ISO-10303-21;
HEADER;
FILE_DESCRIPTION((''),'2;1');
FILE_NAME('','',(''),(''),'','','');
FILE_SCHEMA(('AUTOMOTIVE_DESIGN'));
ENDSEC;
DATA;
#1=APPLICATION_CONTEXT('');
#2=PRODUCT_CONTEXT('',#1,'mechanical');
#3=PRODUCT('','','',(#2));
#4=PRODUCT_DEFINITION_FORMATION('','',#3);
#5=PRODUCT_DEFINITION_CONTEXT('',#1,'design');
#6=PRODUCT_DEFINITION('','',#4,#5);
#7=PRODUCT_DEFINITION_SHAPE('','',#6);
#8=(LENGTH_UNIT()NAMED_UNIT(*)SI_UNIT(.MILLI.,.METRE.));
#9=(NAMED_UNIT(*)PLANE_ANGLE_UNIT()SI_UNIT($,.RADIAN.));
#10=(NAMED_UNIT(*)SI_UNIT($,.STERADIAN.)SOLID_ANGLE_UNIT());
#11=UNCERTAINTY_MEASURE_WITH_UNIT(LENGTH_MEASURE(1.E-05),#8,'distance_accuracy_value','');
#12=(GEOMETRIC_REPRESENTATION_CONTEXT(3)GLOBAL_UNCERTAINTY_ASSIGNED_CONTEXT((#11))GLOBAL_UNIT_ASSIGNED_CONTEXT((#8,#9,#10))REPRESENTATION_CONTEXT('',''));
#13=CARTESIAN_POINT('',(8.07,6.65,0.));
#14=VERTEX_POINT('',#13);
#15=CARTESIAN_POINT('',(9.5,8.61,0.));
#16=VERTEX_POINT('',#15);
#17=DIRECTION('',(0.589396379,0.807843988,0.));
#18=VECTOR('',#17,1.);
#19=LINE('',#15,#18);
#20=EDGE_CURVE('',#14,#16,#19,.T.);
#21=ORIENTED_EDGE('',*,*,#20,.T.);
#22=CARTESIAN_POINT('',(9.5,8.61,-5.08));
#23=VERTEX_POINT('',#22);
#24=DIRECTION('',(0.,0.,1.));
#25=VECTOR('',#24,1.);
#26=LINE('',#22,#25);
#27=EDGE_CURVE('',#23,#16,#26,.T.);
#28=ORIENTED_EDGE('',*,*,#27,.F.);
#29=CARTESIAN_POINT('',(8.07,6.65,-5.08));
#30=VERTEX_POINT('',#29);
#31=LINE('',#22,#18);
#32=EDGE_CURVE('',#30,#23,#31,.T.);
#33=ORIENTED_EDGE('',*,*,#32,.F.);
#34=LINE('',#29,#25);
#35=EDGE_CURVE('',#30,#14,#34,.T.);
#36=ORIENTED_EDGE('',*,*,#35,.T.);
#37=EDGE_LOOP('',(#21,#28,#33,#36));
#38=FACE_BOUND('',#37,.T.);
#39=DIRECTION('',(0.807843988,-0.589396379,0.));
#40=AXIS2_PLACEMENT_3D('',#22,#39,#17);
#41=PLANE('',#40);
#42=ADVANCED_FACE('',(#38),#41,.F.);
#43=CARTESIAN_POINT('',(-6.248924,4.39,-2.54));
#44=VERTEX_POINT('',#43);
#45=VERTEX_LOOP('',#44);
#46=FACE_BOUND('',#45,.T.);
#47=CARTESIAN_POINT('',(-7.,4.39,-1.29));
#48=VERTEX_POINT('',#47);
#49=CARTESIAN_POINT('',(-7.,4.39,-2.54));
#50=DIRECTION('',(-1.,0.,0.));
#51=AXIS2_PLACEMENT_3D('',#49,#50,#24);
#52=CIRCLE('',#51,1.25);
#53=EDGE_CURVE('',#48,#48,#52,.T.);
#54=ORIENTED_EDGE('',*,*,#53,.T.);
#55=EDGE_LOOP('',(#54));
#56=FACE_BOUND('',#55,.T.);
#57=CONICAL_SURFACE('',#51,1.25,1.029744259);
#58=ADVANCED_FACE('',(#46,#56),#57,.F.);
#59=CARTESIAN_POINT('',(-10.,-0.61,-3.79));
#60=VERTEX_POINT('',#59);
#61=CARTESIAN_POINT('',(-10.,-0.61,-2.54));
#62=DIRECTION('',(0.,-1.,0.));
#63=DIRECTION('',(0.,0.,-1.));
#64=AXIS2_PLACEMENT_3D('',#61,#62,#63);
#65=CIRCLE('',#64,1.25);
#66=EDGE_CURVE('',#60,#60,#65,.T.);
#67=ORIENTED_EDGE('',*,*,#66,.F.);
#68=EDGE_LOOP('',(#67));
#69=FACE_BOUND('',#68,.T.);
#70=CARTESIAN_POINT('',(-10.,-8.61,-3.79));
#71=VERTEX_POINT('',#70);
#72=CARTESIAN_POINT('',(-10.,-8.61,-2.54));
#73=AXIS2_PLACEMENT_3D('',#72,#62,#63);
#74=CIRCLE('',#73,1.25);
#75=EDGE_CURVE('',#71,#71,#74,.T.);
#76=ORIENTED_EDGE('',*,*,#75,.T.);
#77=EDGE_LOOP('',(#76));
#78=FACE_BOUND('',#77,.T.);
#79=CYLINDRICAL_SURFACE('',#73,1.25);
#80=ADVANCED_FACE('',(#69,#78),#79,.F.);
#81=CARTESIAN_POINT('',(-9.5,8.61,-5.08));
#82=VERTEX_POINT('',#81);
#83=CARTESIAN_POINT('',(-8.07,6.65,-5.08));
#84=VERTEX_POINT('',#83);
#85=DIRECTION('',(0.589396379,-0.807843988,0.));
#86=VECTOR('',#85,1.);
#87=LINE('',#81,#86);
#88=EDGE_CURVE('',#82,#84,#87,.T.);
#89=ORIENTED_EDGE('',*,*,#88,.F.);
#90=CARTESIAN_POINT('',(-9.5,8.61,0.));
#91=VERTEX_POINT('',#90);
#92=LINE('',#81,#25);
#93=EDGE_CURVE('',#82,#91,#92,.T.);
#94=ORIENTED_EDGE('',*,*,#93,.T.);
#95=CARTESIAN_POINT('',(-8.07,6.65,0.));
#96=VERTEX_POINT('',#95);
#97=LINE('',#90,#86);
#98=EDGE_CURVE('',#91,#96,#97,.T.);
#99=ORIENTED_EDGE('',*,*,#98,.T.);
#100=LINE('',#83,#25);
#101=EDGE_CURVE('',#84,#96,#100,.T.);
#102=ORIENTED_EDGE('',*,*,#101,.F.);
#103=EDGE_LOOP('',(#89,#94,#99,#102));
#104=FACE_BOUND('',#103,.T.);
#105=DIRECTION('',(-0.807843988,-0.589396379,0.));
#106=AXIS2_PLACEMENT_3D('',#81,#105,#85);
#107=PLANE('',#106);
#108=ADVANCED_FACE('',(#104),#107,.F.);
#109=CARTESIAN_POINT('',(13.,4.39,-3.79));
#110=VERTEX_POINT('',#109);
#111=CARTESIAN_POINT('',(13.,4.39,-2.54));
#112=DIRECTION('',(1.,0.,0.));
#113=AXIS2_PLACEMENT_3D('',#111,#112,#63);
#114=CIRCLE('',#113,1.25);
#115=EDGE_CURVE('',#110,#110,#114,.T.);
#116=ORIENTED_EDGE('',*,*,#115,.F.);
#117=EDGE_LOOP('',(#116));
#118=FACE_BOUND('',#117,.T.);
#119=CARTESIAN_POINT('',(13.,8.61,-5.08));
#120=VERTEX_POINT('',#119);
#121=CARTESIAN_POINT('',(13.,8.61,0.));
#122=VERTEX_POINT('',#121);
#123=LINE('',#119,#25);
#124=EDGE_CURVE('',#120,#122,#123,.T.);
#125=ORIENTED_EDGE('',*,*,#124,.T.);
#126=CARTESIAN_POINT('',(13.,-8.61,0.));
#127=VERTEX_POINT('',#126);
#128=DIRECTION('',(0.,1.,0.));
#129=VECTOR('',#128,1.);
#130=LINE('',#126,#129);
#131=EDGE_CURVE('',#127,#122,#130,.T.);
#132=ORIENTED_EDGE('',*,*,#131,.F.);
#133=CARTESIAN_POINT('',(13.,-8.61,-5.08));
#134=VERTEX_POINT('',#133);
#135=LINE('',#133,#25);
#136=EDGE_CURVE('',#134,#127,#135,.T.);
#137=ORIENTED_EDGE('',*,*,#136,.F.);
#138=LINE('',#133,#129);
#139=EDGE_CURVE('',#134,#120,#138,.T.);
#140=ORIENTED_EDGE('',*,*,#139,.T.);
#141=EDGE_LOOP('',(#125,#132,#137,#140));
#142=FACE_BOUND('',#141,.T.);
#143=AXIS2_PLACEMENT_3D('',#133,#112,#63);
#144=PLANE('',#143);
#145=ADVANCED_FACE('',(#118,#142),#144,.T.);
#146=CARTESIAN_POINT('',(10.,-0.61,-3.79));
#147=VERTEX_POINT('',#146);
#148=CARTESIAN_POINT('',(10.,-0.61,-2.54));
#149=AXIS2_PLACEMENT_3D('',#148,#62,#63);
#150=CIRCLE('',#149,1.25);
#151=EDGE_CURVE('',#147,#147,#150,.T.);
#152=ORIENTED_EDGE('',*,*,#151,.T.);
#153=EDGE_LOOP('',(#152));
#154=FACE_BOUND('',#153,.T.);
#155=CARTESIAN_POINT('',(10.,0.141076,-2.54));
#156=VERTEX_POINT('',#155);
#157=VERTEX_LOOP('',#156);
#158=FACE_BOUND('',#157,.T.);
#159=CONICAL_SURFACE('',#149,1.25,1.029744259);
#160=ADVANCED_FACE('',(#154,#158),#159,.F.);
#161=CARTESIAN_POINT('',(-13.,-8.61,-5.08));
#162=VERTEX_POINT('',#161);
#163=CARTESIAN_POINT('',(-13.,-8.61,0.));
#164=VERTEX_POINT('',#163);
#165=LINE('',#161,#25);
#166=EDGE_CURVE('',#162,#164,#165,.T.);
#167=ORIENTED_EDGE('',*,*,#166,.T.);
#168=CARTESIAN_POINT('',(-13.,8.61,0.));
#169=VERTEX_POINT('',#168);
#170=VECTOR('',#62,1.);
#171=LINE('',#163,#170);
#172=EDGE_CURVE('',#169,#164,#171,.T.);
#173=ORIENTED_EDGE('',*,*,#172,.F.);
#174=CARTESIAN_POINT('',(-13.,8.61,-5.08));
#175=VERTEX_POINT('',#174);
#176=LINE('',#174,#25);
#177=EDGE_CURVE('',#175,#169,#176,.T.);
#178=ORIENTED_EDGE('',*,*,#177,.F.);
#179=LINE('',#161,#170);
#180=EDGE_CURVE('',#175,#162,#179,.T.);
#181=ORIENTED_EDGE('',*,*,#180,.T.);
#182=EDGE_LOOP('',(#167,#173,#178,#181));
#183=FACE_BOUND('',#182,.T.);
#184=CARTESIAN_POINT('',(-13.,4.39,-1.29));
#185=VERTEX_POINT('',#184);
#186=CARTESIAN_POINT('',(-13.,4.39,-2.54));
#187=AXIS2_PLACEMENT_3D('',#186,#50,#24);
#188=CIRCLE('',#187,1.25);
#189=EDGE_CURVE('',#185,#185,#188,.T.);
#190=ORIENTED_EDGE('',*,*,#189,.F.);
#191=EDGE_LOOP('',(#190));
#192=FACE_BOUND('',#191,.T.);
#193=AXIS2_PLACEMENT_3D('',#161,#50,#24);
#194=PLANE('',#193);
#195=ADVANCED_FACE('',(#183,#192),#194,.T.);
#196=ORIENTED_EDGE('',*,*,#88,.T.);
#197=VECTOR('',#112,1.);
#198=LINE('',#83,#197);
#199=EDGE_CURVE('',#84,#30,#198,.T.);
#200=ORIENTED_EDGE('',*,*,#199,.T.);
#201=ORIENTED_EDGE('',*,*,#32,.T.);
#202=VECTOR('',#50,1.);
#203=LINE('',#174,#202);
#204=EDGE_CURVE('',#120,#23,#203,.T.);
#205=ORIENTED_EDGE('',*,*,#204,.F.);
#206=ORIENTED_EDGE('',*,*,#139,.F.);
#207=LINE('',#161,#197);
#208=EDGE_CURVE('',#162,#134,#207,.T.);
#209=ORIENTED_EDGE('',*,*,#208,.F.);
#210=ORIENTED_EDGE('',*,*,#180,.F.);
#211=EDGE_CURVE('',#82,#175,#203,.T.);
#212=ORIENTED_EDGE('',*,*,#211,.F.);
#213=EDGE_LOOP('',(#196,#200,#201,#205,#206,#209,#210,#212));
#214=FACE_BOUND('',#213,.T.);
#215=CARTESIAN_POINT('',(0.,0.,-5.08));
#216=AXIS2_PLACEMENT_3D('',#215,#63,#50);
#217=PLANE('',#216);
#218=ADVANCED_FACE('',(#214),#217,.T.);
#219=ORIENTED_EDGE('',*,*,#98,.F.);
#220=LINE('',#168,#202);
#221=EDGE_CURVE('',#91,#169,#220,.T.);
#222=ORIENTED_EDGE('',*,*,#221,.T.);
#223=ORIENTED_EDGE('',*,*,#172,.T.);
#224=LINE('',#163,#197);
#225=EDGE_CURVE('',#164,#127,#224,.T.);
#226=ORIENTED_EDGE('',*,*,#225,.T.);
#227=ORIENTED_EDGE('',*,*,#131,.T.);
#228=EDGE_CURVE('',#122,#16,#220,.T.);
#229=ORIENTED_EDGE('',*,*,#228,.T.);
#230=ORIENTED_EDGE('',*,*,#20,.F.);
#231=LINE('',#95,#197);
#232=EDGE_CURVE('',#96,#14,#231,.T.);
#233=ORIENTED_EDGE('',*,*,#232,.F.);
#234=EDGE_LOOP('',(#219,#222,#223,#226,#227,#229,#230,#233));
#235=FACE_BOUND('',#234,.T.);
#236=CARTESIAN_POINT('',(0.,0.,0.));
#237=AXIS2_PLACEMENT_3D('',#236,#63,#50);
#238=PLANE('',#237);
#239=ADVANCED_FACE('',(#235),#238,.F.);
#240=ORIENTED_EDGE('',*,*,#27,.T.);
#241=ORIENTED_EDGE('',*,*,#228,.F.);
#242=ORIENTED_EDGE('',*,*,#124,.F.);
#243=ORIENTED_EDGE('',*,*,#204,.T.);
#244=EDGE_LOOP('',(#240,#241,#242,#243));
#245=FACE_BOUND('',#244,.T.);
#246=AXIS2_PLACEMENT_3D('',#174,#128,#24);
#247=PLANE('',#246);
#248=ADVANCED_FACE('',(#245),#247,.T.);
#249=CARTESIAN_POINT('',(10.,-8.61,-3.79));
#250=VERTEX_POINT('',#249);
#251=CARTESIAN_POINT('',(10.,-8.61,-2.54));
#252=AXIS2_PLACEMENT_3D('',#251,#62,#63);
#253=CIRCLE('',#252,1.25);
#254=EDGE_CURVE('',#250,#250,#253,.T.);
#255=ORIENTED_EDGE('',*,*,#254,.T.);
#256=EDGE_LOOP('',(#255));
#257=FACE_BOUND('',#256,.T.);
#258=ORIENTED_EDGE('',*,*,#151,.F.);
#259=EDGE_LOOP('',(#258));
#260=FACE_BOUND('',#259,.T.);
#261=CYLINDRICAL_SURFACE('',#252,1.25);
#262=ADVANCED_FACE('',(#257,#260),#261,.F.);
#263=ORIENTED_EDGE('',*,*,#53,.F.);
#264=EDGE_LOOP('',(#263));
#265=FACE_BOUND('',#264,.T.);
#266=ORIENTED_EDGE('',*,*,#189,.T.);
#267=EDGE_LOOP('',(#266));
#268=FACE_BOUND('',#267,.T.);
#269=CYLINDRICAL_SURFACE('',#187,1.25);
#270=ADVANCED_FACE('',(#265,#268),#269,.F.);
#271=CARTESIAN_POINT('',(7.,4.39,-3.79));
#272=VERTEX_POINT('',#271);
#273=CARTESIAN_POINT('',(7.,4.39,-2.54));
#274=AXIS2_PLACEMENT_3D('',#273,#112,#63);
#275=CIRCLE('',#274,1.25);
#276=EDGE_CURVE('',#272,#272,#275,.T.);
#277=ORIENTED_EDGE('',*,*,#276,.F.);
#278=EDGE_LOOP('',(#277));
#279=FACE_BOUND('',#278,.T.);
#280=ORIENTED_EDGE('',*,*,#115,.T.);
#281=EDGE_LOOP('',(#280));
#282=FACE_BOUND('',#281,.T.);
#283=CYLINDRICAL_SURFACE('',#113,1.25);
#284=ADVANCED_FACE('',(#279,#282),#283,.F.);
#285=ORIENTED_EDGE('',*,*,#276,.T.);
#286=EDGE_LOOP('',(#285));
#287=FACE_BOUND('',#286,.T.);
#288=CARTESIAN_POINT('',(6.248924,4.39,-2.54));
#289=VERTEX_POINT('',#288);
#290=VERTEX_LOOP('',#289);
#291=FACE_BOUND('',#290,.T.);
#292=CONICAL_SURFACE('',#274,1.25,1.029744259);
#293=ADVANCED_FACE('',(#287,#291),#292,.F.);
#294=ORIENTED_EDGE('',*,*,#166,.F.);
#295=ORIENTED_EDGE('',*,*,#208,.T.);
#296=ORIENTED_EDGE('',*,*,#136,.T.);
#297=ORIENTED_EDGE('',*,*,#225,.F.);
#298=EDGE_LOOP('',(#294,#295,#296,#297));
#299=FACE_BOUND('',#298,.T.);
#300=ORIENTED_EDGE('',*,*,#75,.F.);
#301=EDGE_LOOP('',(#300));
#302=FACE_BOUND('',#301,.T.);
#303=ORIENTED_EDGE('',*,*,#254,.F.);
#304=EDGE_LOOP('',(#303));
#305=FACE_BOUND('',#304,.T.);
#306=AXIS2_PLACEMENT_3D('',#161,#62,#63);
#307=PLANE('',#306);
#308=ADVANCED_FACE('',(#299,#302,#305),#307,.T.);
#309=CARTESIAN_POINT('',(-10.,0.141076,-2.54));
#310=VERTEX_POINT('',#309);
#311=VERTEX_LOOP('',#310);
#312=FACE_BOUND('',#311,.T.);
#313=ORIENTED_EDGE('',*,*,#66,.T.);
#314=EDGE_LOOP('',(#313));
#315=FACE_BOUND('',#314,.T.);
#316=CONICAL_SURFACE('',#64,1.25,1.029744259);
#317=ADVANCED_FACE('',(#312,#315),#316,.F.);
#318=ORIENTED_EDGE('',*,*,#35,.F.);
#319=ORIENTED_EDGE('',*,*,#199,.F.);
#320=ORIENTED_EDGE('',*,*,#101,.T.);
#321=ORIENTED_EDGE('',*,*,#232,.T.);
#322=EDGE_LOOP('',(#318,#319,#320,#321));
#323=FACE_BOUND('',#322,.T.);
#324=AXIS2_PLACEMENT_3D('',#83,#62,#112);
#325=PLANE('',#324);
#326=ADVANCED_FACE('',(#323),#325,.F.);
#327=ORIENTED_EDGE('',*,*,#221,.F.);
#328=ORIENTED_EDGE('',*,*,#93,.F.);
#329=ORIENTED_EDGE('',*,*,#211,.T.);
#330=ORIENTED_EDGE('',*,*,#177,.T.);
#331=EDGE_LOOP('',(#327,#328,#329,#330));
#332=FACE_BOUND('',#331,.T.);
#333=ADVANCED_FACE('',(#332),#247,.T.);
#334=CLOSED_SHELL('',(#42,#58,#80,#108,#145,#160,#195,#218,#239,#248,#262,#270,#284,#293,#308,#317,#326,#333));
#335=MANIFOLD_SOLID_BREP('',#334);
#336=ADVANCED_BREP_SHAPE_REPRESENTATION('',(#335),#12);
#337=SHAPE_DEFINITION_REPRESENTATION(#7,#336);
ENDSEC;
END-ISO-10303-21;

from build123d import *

# Parameters (mm, degrees)
SCHIZZO1_W                    = 26
SCHIZZO1_H                    = 17.22
ESTRUSIONE_ESTRUSIONE1_DEPTH  = 5.08
TAGLIO_ESTRUSIONE1_DEPTH      = 17.399344499
FORO_FILETTATO_M3X0_5_1_D     = 2.5
FORO_FILETTATO_M3X0_5_1_DEPTH = 8
FORO_FILETTATO_M3X0_5_1_TIP   = 0.751075774


with BuildPart() as part:
    # Schizzo1 → Estrusione-Estrusione1 (new body)
    with BuildSketch(Plane.XY):
        Rectangle(SCHIZZO1_W, SCHIZZO1_H)
    extrude(amount=-ESTRUSIONE_ESTRUSIONE1_DEPTH)

    # Schizzo2 → Taglio-Estrusione1 (cut, through all)
    with BuildSketch(Plane.XY):
        Polygon((-9.5, 8.61), (9.5, 8.61), (8.07, 6.65), (-8.07, 6.65), align=None)
    extrude(amount=-TAGLIO_ESTRUSIONE1_DEPTH, mode=Mode.SUBTRACT)

    # Foro filettato M3x0.5-1
    with Locations(Plane(origin=(0, -8.61, 0), x_dir=(-1, 0, 0), z_dir=(0, -1, 0))):
        with Locations((10, 2.54), (-10, 2.54)):
            Hole(FORO_FILETTATO_M3X0_5_1_D / 2, depth=FORO_FILETTATO_M3X0_5_1_DEPTH)
            with Locations((0, 0, -(FORO_FILETTATO_M3X0_5_1_DEPTH + FORO_FILETTATO_M3X0_5_1_TIP / 2))):  # 118° drill point
                Cone(0, FORO_FILETTATO_M3X0_5_1_D / 2, FORO_FILETTATO_M3X0_5_1_TIP, mode=Mode.SUBTRACT)

    # Schizzo5 → Foro filettato M3x0.5-2 (revolve, cut)
    with BuildSketch(Plane(origin=(-13, 4.39, -2.54), x_dir=(0, 0, 1), z_dir=(0, 1, 0))):
        Polygon((0, 0), (0, 6.751075774), (1.25, 6), (1.25, 0), align=None)
    foro_filettato_m3x0_5_2 = revolve(axis=Axis((-19.35, 4.39, -2.54), (1, 0, 0)), mode=Mode.SUBTRACT)

    # Specchia1: Foro filettato M3x0.5-2 across plane
    add(foro_filettato_m3x0_5_2.mirror(Plane(origin=(0, 0, 0), x_dir=(0, 0, 1), z_dir=(1, 0, 0))), mode=Mode.SUBTRACT)


solid = part.part
